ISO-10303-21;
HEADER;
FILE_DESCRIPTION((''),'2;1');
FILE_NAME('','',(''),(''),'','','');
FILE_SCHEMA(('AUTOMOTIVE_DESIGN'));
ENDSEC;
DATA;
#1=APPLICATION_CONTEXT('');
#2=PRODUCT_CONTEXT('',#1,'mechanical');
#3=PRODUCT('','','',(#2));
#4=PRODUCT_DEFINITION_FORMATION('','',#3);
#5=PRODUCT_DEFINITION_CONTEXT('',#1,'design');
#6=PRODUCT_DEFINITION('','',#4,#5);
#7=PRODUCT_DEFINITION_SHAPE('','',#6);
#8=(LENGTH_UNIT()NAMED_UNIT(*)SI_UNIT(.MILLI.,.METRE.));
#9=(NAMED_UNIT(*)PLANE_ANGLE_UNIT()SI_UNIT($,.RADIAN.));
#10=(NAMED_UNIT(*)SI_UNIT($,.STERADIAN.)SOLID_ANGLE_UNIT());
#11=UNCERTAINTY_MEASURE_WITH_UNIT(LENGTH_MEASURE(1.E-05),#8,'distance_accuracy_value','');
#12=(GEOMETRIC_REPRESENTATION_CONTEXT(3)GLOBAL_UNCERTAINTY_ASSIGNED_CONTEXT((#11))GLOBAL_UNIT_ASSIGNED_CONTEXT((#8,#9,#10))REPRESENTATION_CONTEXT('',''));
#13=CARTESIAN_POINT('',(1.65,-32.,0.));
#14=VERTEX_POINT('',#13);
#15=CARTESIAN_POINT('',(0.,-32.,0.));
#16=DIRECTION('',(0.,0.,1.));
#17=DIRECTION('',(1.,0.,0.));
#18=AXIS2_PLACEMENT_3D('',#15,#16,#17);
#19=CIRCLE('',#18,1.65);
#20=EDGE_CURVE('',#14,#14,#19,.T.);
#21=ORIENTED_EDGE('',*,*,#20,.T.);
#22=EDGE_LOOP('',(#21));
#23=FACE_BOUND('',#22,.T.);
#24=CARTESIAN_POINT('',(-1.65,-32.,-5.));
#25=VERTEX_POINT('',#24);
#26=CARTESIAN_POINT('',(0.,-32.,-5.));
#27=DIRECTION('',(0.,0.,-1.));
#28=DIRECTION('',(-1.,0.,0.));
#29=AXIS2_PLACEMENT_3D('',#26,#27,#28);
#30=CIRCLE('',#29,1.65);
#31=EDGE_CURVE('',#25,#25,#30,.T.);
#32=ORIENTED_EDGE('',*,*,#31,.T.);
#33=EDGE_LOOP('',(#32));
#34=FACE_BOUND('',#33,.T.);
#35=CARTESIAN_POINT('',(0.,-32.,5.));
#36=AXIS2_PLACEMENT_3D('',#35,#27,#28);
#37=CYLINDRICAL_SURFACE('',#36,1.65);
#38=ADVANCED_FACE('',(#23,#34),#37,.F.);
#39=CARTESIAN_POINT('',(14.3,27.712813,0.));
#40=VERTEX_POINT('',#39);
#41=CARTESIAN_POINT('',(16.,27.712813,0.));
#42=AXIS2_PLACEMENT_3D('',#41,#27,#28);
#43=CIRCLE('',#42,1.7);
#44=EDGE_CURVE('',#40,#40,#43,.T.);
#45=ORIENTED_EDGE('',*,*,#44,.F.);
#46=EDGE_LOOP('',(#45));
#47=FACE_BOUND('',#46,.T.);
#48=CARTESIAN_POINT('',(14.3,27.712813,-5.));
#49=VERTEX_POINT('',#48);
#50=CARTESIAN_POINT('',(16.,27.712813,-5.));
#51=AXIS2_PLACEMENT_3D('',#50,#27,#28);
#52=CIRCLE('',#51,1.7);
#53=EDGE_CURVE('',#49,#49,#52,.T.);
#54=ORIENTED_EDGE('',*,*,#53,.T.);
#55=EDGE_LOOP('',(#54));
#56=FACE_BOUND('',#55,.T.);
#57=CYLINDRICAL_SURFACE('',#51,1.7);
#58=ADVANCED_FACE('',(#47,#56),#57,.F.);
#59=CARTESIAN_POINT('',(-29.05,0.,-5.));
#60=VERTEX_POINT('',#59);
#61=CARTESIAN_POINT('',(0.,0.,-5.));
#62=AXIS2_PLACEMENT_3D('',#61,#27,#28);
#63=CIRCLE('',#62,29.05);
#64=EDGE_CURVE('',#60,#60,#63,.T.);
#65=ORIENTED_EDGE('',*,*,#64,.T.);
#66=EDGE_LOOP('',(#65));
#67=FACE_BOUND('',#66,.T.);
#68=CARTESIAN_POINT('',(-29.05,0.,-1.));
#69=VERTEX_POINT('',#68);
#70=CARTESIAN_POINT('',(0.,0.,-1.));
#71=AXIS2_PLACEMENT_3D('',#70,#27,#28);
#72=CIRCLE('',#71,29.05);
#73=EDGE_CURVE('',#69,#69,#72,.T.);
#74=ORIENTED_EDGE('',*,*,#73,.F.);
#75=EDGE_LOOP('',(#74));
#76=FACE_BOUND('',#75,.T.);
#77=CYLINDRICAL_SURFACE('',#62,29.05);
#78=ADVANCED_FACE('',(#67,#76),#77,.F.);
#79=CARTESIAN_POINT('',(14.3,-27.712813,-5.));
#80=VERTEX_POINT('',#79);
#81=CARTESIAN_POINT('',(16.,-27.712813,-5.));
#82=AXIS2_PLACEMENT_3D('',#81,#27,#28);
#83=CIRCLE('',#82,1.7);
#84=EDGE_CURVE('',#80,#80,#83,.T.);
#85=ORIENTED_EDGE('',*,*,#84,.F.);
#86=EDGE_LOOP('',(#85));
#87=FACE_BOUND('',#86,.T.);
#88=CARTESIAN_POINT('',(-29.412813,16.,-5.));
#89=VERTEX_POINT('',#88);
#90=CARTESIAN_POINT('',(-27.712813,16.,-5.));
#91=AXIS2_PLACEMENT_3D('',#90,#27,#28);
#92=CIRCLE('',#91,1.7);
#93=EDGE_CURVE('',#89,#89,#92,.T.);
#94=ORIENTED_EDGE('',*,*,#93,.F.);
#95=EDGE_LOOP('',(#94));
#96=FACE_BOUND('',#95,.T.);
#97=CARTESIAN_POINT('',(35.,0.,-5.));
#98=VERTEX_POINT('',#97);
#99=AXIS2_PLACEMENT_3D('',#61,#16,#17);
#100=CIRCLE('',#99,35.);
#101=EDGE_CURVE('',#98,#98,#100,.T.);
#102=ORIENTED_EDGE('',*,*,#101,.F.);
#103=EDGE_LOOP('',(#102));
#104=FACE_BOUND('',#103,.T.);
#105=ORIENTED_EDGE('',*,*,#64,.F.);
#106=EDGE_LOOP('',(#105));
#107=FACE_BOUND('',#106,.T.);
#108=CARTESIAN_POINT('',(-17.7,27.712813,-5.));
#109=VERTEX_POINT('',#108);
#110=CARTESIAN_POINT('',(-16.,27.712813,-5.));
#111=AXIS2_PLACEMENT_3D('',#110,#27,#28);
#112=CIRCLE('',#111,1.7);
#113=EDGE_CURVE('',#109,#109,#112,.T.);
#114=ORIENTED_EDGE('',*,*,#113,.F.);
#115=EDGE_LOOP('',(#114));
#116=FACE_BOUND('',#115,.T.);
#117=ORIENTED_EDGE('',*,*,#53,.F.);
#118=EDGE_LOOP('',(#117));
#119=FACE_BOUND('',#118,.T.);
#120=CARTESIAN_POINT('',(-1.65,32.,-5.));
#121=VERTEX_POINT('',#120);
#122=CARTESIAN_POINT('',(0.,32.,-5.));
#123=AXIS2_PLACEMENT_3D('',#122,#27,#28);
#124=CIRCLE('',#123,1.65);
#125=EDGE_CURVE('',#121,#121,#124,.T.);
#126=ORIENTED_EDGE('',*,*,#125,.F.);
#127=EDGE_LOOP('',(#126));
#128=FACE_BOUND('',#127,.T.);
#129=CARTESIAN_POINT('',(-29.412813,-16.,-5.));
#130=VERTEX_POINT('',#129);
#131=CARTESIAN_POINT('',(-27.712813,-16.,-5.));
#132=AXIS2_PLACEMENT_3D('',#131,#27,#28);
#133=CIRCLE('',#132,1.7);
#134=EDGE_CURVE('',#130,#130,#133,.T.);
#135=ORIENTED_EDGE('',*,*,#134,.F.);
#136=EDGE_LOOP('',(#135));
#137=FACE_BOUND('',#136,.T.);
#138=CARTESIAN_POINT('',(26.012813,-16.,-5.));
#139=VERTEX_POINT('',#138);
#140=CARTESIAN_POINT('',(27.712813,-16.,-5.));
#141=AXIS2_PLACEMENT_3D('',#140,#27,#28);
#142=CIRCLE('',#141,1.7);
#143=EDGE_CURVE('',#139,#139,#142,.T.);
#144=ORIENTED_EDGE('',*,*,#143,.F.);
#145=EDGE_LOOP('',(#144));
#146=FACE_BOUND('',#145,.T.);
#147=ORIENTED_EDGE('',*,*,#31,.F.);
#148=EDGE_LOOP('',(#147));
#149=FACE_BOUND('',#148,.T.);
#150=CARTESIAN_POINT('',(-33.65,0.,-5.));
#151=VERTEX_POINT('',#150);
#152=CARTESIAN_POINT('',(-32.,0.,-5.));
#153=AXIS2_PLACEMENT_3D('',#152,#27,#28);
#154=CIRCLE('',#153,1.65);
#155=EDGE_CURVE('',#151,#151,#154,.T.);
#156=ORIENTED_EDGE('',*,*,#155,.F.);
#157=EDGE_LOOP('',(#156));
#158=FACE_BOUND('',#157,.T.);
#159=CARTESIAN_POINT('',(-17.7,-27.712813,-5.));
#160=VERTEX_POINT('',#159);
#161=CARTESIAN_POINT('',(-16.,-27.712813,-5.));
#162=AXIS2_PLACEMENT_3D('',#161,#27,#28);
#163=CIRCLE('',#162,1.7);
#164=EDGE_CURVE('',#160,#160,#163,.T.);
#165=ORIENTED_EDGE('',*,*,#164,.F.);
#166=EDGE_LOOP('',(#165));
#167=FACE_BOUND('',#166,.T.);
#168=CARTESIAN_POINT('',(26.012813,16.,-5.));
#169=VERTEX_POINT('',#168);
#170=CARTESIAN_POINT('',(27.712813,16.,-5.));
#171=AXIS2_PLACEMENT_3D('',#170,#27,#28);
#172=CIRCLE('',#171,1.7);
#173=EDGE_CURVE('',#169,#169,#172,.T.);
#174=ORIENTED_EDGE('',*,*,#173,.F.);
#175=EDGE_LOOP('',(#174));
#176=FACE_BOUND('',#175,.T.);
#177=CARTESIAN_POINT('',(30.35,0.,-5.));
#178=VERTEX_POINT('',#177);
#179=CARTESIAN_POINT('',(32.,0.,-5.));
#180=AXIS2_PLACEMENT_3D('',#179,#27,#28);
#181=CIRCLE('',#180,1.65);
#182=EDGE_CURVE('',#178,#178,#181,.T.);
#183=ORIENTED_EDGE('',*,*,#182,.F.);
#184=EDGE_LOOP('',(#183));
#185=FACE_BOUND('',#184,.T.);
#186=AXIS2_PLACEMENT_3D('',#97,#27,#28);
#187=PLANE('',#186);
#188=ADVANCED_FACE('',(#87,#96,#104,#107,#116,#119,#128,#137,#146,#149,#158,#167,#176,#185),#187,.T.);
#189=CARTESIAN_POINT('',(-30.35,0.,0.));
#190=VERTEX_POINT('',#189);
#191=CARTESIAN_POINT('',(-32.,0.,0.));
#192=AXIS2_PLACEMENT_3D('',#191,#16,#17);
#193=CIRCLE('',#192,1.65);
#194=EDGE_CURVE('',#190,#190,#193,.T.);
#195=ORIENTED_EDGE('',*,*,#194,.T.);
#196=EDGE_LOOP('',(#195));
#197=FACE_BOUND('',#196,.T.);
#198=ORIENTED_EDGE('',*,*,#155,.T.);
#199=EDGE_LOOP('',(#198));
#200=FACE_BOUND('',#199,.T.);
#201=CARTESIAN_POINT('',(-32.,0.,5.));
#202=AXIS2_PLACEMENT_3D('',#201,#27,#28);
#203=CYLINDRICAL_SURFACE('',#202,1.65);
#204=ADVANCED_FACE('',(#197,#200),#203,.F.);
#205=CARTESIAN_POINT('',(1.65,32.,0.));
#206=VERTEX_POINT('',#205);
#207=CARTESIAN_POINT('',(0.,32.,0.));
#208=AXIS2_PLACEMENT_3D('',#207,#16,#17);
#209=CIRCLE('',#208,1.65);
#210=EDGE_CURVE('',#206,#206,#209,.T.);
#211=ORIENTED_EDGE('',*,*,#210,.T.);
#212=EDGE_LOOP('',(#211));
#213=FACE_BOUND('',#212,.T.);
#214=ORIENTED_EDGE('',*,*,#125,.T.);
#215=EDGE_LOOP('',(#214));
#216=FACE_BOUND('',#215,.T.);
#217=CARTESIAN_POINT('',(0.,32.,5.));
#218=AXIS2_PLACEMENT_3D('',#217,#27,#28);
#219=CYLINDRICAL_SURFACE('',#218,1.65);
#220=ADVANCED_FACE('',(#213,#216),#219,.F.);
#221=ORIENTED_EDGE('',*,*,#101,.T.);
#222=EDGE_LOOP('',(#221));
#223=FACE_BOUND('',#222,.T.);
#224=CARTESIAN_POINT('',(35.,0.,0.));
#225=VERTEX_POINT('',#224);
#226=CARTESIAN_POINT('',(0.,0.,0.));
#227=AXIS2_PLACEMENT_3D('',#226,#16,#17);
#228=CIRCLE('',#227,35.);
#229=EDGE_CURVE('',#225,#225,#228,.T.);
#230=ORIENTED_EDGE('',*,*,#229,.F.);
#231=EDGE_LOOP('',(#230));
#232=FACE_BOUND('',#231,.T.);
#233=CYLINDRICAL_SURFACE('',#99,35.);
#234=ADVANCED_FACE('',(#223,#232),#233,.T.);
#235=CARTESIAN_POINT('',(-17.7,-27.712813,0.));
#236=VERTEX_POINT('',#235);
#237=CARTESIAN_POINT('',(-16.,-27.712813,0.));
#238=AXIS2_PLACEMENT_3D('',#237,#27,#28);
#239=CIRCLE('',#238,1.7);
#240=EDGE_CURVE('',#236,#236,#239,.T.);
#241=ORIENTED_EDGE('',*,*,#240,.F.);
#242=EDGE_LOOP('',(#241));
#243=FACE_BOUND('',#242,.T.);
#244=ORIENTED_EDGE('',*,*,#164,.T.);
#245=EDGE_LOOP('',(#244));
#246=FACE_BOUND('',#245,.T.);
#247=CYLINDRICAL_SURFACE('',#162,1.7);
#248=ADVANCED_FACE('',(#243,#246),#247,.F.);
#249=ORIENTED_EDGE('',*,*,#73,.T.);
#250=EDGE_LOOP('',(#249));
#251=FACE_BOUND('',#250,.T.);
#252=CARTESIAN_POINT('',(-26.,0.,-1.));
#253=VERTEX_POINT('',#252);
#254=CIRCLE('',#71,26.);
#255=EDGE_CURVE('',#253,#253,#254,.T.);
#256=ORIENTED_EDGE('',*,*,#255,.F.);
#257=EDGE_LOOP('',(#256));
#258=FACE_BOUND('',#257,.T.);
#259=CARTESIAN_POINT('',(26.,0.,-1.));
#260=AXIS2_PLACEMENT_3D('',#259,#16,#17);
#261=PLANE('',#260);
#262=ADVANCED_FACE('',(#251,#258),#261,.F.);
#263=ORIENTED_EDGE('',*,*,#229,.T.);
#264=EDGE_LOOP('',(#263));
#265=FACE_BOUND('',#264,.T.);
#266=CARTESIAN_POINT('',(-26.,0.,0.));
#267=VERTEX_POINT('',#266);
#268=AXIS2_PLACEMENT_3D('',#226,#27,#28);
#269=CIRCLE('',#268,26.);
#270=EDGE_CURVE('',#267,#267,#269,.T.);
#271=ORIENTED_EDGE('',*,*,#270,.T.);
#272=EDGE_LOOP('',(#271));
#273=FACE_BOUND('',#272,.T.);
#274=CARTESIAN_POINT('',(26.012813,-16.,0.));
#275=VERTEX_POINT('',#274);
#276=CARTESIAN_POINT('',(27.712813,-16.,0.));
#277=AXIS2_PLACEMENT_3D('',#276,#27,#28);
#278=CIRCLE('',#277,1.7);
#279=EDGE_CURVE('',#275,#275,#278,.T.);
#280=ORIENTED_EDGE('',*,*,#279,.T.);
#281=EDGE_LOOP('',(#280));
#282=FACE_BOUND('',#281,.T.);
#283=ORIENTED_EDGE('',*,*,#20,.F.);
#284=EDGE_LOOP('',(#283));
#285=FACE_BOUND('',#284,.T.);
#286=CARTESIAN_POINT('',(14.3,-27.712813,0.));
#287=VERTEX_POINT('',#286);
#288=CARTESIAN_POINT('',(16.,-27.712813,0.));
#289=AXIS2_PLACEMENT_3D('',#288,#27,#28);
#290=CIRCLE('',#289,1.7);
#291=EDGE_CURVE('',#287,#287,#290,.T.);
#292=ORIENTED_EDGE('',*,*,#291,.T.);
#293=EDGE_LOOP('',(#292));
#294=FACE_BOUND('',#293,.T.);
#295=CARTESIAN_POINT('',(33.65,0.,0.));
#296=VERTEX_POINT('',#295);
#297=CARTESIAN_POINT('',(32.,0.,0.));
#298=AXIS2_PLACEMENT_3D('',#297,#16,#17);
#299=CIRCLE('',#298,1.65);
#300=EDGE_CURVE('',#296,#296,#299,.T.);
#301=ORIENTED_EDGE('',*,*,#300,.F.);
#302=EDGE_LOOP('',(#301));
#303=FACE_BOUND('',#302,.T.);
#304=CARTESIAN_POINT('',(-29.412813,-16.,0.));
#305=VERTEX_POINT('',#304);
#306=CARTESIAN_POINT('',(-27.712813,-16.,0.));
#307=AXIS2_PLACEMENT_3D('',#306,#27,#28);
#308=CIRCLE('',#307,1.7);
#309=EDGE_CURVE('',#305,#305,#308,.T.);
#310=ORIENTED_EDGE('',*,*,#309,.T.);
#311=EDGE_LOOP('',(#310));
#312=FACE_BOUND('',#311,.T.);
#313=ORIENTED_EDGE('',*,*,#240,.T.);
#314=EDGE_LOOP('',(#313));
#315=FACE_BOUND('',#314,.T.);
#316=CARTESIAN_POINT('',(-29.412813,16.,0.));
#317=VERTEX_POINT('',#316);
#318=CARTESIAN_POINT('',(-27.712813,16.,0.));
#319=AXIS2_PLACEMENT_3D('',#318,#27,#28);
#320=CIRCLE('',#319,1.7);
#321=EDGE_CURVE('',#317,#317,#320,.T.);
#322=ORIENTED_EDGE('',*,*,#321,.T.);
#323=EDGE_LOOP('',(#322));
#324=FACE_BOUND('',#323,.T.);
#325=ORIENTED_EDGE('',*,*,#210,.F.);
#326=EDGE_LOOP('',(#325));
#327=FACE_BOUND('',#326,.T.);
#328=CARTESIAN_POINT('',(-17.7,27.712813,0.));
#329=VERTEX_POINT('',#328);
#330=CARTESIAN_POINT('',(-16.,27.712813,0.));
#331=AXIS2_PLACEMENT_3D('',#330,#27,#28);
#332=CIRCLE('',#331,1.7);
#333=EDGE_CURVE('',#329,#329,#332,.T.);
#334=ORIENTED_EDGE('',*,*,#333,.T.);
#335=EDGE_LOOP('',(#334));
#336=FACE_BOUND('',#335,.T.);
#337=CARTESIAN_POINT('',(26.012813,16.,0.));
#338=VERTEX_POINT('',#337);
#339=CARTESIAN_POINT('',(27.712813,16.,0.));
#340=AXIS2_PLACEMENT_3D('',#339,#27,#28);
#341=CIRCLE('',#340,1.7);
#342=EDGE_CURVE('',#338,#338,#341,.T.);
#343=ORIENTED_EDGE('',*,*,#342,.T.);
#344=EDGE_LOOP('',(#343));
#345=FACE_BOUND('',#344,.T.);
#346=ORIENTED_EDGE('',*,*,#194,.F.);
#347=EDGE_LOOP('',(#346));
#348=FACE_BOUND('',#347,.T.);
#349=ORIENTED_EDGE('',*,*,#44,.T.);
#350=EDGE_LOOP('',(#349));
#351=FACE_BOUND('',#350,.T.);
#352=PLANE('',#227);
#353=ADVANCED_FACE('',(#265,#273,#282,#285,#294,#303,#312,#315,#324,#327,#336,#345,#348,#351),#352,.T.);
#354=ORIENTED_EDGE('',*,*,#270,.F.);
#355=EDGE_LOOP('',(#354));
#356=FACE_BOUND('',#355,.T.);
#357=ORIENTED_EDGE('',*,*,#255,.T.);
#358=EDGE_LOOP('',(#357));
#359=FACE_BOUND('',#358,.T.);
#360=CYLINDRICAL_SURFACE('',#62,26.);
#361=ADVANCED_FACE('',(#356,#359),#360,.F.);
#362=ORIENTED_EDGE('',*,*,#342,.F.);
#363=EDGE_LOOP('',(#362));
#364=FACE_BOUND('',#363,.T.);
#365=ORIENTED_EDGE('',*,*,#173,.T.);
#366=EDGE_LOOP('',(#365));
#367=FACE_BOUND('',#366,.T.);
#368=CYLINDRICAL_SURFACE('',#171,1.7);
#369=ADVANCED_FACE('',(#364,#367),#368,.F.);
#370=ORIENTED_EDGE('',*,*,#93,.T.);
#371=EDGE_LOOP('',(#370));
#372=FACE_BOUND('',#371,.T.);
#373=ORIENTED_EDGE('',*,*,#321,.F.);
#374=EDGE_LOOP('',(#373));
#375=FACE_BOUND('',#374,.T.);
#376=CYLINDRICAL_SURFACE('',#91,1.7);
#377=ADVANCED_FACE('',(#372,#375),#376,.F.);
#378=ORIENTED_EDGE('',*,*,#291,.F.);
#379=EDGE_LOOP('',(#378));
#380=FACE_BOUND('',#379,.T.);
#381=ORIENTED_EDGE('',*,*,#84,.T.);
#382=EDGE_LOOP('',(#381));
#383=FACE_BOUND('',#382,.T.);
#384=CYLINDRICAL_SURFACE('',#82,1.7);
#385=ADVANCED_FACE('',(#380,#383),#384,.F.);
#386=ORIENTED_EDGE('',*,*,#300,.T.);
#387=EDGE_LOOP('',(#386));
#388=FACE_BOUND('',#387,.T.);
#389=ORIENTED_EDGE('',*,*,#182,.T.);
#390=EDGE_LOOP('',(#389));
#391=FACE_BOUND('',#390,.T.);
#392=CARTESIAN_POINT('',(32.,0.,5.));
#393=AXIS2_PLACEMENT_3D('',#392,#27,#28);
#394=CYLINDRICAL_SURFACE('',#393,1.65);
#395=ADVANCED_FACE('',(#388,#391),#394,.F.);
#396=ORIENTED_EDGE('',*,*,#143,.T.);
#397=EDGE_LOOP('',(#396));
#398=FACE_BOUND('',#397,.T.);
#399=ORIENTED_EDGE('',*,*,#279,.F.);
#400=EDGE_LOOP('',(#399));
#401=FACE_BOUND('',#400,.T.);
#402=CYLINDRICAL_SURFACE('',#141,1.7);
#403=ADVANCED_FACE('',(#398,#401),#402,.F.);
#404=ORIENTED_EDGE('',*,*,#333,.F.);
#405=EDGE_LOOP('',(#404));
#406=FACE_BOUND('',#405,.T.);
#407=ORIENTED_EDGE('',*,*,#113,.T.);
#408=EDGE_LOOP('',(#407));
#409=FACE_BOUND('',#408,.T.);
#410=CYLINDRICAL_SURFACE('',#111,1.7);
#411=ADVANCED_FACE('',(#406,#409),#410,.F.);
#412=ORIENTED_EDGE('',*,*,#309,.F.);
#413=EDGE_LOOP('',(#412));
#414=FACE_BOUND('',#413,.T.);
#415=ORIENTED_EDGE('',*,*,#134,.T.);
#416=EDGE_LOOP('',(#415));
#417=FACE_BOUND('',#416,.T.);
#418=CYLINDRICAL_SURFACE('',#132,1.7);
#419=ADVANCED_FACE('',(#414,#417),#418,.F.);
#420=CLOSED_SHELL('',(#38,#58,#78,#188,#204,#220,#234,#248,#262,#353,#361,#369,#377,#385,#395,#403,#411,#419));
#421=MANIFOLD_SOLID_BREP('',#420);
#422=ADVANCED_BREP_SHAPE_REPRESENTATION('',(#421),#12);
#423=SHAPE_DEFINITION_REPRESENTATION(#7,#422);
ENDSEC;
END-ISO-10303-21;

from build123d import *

# Parameters (mm, degrees)
SKETCH_1_W                = 35
SKETCH_1_H                = 5
HOLE_WIZARD_1_D           = 3.4
HOLE_WIZARD_1_DEPTH       = 5
HOLE_WIZARD_2_D           = 52
HOLE_WIZARD_2_DEPTH       = 5
HOLE_WIZARD_2_CBORE_D     = 58.1
HOLE_WIZARD_2_CBORE_DEPTH = 4
SKETCH_9_R                = 1.65
CUT_EXTRUDE_1_DEPTH       = 10


with BuildPart() as part:
    # 草图1 → 旋转1 (revolve)
    with BuildSketch(Plane(origin=(0, 0, 0), x_dir=(1, 0, 0), z_dir=(0, 1, 0))):
        with Locations((17.5, 2.5)):
            Rectangle(SKETCH_1_W, SKETCH_1_H)
    revolve(axis=Axis((0, 0, -5), (0, 0, 1)))

    # 孔1
    with Locations(Plane(origin=(0, 0, -5), x_dir=(-1, 0, 0), z_dir=(0, 0, -1))):
        with Locations((16, -27.712812921), (-16, -27.712812921), (-27.712812921, -16), (-27.712812921, 16), (-16, 27.712812921), (16, 27.712812921), (27.712812921, 16), (27.712812921, -16)):
            Hole(HOLE_WIZARD_1_D / 2, depth=HOLE_WIZARD_1_DEPTH)

    # 孔2
    with Locations(Plane(origin=(0, 0, -5), x_dir=(-1, 0, 0), z_dir=(0, 0, -1))):
        with Locations((0, 0)):
            CounterBoreHole(HOLE_WIZARD_2_D / 2, HOLE_WIZARD_2_CBORE_D / 2, HOLE_WIZARD_2_CBORE_DEPTH, depth=HOLE_WIZARD_2_DEPTH)

    # 草图9 → 切除-拉伸1 (cut)
    with BuildSketch(Plane(origin=(0, 0, -5), x_dir=(-1, 0, 0), z_dir=(0, 0, -1))):
        with Locations((32, 0)):
            Circle(SKETCH_9_R)
        with Locations((0, -32)):
            Circle(SKETCH_9_R)
        with Locations((-32, 0)):
            Circle(SKETCH_9_R)
        with Locations((0, 32)):
            Circle(SKETCH_9_R)
    extrude(amount=-CUT_EXTRUDE_1_DEPTH, mode=Mode.SUBTRACT)


solid = part.part
